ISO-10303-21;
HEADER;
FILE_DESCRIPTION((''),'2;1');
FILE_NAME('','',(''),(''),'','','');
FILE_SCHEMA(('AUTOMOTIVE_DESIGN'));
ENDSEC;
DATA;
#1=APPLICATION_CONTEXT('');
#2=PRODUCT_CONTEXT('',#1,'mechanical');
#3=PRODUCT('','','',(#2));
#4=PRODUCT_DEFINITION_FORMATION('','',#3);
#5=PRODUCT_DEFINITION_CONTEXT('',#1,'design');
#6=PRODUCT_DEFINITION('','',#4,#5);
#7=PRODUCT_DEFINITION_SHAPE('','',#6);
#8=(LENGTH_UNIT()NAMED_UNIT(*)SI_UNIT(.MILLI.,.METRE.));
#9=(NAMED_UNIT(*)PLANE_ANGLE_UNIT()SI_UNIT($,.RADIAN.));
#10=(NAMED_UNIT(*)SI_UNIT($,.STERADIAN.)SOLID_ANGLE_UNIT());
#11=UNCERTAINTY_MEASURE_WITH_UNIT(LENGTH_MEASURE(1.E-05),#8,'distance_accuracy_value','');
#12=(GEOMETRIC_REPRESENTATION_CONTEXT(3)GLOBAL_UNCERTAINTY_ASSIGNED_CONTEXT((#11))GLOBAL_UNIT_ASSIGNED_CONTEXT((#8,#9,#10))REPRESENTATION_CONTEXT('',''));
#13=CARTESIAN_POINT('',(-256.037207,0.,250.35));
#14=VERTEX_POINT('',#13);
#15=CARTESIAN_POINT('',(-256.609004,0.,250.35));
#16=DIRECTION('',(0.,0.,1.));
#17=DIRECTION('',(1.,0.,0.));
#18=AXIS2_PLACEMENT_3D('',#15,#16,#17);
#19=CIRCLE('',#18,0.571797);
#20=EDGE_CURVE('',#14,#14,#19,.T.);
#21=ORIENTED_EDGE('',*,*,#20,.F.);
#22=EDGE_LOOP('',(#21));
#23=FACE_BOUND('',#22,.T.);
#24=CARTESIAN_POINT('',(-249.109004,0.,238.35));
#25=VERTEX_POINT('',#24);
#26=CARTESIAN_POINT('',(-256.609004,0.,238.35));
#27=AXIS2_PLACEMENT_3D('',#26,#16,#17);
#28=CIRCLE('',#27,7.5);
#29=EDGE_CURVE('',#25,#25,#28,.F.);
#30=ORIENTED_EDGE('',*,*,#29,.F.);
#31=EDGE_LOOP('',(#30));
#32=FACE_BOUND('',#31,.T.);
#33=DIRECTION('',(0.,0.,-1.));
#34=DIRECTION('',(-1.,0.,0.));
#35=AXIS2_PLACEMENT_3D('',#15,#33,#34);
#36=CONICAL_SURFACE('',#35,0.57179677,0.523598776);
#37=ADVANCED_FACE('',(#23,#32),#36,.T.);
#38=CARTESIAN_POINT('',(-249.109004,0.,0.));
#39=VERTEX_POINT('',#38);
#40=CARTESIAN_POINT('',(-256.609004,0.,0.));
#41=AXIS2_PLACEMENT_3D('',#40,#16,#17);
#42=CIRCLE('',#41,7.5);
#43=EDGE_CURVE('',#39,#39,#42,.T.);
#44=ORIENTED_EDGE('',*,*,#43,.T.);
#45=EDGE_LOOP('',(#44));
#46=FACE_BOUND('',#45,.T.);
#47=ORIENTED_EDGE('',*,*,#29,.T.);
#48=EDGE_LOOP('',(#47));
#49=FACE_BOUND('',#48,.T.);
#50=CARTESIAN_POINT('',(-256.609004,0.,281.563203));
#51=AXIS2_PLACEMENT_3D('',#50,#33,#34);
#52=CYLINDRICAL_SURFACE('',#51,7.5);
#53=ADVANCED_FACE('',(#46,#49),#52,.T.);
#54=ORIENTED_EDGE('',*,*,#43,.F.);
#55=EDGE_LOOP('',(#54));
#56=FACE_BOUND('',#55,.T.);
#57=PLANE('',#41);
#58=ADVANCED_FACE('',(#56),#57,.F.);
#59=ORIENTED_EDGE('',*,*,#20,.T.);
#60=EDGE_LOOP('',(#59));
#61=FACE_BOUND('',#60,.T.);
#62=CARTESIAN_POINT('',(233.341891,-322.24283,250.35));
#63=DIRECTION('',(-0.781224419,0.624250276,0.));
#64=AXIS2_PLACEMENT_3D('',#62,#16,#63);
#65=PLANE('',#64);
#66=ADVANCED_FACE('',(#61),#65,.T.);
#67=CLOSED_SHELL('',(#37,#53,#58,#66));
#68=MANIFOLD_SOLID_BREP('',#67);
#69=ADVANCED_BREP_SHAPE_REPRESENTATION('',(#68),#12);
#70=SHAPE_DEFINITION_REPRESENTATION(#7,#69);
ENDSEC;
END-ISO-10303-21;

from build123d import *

# Parameters (mm, degrees)
SKETCH1_R           = 7.5
BOSS_EXTRUDE1_DEPTH = 250.35
CHAMFER1_SIZE       = 12
CHAMFER1_SIZE2      = 6.92820323


with BuildPart() as part:
    # Sketch1 → Boss-Extrude1 (new body)
    with BuildSketch(Plane.XY):
        with Locations((-256.609003688, 0)):
            Circle(SKETCH1_R)
    extrude(amount=BOSS_EXTRUDE1_DEPTH)

    # Chamfer1
    chamfer1_edges = [part.edges().sort_by_distance(p)[0] for p in [
        (-264.109003688, 0, 250.35),
    ]]
    chamfer1_side = [part.faces().sort_by_distance(p)[0] for p in [
        (-264.109003688, 0, 125.175),
    ]]
    chamfer(chamfer1_edges, length=CHAMFER1_SIZE, length2=CHAMFER1_SIZE2, reference=chamfer1_side[0])


solid = part.part
